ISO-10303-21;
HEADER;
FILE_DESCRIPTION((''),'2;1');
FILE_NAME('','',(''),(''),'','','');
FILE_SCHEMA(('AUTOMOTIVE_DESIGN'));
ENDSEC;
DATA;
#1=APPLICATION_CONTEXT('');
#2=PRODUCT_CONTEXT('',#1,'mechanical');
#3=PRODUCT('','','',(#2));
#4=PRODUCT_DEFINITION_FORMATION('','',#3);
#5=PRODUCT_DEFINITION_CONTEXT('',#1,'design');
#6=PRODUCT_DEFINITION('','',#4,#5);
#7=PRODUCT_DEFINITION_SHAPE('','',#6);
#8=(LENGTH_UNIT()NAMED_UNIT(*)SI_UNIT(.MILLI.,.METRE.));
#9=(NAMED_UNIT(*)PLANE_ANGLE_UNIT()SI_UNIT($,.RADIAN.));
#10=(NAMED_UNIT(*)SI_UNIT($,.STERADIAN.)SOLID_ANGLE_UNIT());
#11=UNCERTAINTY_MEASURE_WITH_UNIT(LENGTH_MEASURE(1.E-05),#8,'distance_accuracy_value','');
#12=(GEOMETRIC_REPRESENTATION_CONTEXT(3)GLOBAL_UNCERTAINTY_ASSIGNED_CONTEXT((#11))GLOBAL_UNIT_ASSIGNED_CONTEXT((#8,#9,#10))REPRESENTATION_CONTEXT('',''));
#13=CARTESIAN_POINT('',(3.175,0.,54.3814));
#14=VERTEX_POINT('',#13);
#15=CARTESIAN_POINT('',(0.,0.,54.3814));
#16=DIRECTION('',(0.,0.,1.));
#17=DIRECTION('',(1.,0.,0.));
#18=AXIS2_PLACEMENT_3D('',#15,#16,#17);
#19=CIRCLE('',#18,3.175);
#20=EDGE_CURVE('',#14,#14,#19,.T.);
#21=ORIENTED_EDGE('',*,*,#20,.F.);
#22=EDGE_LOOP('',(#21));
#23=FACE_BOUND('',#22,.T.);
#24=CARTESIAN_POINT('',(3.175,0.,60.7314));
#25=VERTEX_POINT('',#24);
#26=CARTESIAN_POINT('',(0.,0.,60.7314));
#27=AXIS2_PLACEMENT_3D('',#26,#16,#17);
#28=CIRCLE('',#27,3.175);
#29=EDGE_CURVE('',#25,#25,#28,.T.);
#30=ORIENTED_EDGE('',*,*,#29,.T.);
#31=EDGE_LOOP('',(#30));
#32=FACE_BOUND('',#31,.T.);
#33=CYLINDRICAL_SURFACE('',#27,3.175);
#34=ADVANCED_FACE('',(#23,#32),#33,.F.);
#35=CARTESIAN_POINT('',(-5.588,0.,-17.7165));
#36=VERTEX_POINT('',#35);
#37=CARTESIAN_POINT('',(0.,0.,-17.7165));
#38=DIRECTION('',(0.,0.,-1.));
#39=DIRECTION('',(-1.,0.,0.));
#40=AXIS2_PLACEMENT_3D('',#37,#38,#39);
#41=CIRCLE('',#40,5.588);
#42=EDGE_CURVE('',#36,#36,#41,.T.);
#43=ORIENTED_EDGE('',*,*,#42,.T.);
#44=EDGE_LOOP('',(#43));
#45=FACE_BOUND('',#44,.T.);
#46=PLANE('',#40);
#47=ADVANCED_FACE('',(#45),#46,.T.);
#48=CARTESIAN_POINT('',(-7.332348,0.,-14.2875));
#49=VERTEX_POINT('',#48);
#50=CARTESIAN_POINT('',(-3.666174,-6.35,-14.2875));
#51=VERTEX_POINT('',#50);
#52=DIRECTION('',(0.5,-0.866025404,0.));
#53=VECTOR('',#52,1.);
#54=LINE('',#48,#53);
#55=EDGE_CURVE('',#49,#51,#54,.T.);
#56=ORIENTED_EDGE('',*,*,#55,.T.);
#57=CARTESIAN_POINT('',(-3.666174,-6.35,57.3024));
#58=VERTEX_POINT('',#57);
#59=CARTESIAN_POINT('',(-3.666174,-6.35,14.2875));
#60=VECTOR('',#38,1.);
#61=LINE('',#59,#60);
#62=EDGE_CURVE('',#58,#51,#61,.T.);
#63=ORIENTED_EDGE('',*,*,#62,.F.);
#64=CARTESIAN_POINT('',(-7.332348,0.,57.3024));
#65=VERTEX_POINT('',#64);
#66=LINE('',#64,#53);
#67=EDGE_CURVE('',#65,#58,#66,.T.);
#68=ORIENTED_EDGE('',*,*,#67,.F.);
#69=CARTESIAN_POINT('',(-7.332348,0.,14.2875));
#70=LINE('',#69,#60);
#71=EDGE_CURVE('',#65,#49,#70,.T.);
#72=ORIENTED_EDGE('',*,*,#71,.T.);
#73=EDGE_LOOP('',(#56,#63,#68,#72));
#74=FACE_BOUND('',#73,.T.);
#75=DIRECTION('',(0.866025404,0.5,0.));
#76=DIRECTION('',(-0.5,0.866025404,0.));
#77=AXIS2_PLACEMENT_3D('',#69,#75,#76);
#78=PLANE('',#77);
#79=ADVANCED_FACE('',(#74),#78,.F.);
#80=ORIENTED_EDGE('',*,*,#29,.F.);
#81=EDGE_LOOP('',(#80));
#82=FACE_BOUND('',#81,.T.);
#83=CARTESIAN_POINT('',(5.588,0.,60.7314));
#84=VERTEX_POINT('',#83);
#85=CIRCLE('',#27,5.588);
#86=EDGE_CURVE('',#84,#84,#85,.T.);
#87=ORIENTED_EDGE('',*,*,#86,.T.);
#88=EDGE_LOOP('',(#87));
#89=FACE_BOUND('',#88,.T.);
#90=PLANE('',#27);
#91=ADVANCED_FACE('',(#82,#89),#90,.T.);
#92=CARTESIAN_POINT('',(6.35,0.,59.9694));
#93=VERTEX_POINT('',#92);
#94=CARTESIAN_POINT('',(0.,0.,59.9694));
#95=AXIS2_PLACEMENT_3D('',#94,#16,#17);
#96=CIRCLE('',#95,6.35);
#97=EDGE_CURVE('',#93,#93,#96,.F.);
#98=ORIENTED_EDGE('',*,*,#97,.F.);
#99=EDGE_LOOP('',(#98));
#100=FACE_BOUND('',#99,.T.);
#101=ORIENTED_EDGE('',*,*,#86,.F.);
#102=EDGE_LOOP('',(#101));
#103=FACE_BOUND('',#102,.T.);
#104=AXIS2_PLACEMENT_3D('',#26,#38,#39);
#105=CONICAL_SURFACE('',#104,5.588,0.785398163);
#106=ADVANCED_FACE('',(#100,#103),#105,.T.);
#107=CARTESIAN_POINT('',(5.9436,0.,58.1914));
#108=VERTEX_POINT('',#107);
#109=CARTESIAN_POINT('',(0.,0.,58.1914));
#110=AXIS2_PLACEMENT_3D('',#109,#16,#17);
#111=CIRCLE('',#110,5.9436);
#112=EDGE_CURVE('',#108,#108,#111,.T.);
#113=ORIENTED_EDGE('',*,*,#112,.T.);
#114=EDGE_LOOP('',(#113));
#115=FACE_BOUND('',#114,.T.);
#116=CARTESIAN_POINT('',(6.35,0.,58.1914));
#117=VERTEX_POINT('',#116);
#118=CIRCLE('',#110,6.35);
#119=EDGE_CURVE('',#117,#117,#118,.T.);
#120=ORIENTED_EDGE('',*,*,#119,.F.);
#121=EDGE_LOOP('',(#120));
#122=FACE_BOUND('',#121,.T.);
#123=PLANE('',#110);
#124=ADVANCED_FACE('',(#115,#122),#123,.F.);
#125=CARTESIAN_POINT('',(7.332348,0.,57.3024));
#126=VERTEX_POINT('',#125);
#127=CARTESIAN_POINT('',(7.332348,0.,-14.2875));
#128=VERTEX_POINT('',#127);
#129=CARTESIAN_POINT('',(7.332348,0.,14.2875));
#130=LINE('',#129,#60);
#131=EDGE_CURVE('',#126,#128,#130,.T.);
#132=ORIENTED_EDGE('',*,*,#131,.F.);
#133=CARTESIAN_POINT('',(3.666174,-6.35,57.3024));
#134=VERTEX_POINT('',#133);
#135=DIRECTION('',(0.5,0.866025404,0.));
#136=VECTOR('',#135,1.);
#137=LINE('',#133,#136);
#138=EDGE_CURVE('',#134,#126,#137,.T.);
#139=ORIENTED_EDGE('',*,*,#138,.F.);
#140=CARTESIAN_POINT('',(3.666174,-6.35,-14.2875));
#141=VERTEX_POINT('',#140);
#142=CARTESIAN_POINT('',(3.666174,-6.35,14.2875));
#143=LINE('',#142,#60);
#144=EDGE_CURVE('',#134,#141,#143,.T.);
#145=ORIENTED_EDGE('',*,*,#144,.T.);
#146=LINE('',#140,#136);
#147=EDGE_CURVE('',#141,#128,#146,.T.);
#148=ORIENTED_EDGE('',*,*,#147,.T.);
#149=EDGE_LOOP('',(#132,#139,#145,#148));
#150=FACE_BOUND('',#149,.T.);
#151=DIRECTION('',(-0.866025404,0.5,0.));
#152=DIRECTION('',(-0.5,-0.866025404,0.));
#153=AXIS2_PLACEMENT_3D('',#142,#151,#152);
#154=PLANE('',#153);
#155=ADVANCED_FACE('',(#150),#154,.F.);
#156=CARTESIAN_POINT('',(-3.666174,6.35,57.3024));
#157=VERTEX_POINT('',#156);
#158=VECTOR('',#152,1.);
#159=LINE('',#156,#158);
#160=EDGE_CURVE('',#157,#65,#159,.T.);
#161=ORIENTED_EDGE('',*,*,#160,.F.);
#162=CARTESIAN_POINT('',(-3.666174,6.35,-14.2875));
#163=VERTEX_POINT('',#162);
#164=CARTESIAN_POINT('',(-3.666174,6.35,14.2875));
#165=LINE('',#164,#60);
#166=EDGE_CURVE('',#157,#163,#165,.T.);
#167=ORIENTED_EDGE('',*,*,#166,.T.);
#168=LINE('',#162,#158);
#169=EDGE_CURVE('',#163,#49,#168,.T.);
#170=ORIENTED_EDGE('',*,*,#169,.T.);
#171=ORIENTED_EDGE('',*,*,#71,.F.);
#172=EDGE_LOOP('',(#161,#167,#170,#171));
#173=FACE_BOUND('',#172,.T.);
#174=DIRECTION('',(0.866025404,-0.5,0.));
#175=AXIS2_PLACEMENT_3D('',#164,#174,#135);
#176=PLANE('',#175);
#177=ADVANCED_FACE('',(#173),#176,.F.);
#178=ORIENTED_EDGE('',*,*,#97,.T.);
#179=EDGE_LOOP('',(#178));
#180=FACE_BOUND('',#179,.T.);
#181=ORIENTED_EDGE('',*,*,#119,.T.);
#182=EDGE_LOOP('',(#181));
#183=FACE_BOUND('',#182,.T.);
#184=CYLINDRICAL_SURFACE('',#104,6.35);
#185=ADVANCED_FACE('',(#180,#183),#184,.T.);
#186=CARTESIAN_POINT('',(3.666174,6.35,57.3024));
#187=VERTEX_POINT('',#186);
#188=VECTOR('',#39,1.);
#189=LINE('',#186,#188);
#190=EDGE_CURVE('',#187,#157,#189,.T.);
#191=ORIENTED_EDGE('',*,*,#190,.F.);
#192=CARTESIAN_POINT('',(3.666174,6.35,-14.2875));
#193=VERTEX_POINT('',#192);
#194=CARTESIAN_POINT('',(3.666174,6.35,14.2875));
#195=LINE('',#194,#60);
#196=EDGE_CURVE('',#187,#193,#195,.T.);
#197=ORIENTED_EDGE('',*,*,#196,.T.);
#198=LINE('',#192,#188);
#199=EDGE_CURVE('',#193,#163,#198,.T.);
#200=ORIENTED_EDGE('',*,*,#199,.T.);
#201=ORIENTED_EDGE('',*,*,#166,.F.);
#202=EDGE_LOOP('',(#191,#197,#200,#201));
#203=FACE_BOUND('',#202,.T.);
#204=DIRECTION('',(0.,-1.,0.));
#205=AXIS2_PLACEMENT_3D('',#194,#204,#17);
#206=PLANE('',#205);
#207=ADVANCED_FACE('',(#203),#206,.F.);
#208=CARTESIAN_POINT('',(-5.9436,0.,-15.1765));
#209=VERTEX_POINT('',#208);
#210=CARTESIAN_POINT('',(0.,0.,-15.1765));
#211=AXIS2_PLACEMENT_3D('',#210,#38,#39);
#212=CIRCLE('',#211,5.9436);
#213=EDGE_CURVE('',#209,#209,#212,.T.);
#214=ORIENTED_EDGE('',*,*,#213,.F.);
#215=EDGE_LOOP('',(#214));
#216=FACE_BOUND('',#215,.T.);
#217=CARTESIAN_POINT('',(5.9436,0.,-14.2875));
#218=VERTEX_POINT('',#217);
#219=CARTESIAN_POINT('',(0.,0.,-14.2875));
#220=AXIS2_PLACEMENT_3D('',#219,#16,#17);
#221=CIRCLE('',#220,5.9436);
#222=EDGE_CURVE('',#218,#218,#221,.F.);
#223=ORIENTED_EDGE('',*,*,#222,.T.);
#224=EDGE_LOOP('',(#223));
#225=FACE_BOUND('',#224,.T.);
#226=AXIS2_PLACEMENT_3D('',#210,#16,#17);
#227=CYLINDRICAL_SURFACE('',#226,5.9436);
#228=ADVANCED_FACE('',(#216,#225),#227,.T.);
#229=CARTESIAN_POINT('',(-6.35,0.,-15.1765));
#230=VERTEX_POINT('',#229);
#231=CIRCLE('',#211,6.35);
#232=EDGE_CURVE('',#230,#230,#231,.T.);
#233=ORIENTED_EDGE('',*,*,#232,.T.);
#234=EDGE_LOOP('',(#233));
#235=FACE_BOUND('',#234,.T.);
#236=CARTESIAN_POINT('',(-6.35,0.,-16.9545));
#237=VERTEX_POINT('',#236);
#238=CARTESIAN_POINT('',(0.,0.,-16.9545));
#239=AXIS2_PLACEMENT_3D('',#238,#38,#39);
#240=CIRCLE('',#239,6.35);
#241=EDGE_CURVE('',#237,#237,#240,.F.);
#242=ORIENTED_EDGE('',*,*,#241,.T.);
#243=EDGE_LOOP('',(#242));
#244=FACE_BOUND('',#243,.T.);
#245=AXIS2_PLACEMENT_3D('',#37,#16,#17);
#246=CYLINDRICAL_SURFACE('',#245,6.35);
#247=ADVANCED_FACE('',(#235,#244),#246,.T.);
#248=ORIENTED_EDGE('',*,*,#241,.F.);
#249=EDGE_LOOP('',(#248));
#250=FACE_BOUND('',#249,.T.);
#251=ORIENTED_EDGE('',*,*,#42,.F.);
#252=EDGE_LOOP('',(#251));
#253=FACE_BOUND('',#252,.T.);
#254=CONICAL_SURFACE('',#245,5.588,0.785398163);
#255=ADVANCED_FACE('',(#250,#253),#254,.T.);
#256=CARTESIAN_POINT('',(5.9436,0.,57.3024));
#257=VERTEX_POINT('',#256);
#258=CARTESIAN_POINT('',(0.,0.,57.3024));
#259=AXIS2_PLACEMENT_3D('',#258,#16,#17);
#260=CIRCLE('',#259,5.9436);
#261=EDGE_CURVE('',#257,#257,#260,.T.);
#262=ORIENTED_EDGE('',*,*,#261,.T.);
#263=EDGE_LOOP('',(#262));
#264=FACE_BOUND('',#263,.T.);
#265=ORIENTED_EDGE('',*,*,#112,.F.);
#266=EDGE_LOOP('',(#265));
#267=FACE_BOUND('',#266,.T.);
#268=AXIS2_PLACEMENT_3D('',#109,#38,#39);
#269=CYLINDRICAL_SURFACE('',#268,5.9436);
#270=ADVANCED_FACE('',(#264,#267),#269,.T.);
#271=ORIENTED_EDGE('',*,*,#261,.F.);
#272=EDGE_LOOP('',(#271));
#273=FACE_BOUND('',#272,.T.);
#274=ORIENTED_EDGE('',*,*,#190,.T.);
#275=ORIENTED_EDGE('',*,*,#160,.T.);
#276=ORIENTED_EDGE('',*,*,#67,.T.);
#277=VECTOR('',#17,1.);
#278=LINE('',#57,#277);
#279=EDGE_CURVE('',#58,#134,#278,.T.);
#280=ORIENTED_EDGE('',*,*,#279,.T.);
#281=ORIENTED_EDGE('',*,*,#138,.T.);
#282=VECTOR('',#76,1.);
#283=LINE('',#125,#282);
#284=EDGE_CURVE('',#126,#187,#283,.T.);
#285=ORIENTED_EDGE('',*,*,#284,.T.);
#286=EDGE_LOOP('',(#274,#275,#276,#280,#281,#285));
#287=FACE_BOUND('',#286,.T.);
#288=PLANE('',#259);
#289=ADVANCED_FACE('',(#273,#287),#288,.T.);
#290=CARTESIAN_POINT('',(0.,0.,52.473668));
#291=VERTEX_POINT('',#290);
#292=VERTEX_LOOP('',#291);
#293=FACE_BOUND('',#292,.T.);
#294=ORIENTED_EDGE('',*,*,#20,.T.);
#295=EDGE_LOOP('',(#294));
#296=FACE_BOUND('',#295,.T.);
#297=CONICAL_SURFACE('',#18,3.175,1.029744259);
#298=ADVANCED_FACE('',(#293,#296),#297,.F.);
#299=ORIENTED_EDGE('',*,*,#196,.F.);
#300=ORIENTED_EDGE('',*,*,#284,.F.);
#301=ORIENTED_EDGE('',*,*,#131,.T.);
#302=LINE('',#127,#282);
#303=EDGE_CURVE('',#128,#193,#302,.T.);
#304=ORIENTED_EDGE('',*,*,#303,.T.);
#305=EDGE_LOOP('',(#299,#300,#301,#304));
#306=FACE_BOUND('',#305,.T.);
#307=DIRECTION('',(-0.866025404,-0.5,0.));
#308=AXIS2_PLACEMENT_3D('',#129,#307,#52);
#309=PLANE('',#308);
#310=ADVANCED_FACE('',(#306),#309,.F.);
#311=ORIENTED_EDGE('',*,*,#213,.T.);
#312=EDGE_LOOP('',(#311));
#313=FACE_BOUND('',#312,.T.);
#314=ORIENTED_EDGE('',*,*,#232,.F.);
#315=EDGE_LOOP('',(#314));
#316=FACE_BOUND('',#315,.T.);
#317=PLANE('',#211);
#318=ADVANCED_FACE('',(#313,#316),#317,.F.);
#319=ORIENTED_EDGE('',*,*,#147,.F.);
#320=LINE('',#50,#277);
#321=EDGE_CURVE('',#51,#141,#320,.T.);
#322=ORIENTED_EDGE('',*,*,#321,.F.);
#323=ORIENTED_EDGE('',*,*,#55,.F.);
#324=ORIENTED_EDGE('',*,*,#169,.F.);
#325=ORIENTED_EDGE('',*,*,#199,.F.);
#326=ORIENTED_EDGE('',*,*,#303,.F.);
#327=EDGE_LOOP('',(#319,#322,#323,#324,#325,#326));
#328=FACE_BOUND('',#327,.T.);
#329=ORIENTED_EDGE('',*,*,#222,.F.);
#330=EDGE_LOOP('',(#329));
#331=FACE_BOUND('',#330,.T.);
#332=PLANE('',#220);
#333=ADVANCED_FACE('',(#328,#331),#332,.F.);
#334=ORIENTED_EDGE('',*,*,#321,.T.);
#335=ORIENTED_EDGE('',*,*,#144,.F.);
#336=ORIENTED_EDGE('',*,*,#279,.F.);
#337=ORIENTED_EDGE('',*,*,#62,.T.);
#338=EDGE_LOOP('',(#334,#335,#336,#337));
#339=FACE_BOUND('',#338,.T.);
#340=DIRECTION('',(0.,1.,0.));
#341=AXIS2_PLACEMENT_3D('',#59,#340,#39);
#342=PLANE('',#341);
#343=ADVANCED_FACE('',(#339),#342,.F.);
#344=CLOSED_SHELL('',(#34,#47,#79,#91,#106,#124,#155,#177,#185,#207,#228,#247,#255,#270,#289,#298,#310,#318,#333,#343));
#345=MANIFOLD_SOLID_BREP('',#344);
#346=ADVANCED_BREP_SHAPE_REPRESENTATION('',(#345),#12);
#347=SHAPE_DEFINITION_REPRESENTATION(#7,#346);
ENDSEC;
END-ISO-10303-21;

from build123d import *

# Parameters (mm, degrees)
BOSS_EXTRUDE1_DEPTH             = 14.2875
SKETCH2_R                       = 5.9436
BOSS_EXTRUDE2_DEPTH             = 0.889
SKETCH3_R                       = 6.35
BOSS_EXTRUDE3_DEPTH             = 2.54
CHAMFER1_SIZE                   = 0.762
BOSS_EXTRUDE4_DEPTH             = 43.0149
BOSS_EXTRUDE5_START             = 0.889
SKETCH6_R                       = 5.9436
BOSS_EXTRUDE5_DEPTH             = 0.889
BOSS_EXTRUDE6_START             = 2.54
SKETCH7_R                       = 6.35
BOSS_EXTRUDE6_DEPTH             = 2.54
CHAMFER2_SIZE                   = 0.762
F_1_4_0_25_DIAMETER_HOLE1_D     = 6.35
F_1_4_0_25_DIAMETER_HOLE1_DEPTH = 6.35
F_1_4_0_25_DIAMETER_HOLE1_TIP   = 1.907732465


with BuildPart() as part:
    # Sketch1 → Boss-Extrude1 (new, symmetric)
    with BuildSketch(Plane.XY):
        Polygon((7.332348419, 0), (3.666174209, 6.35), (-3.666174209, 6.35), (-7.332348419, 0), (-3.666174209, -6.35), (3.666174209, -6.35), align=None)
    extrude(amount=BOSS_EXTRUDE1_DEPTH, both=True)

    # Sketch2 → Boss-Extrude2 (add)
    with BuildSketch(Plane(origin=(0, 0, -14.2875), x_dir=(-1, 0, 0), z_dir=(0, 0, -1))):
        with Locations(Location((0, 0, 0), (0, 0, 180))):
            Circle(SKETCH2_R)
    extrude(amount=BOSS_EXTRUDE2_DEPTH)

    # Sketch3 → Boss-Extrude3 (add)
    with BuildSketch(Plane(origin=(0, 0, -15.1765), x_dir=(-1, 0, 0), z_dir=(0, 0, -1))):
        Circle(SKETCH3_R)
    extrude(amount=BOSS_EXTRUDE3_DEPTH)

    # Chamfer1
    chamfer1_edges = [part.edges().sort_by_distance(p)[0] for p in [
        (6.35, 0, -17.7165),
    ]]
    chamfer(chamfer1_edges, length=CHAMFER1_SIZE)

    # Sketch5 → Boss-Extrude4 (add)
    with BuildSketch(Plane.XY.offset(14.2875)):
        Polygon((3.666174209, 6.35), (-3.666174209, 6.35), (-7.332348419, 0), (-3.666174209, -6.35), (3.666174209, -6.35), (7.332348419, 0), align=None)
    extrude(amount=BOSS_EXTRUDE4_DEPTH)

    # Sketch6 → Boss-Extrude5 (add)
    with BuildSketch(Plane.XY.offset(57.3024).offset(BOSS_EXTRUDE5_START)):
        Circle(SKETCH6_R)
    extrude(amount=-BOSS_EXTRUDE5_DEPTH)

    # Sketch7 → Boss-Extrude6 (add)
    with BuildSketch(Plane.XY.offset(58.1914).offset(BOSS_EXTRUDE6_START)):
        with Locations(Location((0, 0, 0), (0, 0, 180))):
            Circle(SKETCH7_R)
    extrude(amount=-BOSS_EXTRUDE6_DEPTH)

    # Chamfer2
    chamfer2_edges = [part.edges().sort_by_distance(p)[0] for p in [
        (6.35, 0, 60.7314),
    ]]
    chamfer(chamfer2_edges, length=CHAMFER2_SIZE)

    # 1/4 (0.25) Diameter Hole1
    with Locations(Plane.XY.offset(60.7314)):
        with Locations((0, 0)):
            Hole(F_1_4_0_25_DIAMETER_HOLE1_D / 2, depth=F_1_4_0_25_DIAMETER_HOLE1_DEPTH)
            with Locations((0, 0, -(F_1_4_0_25_DIAMETER_HOLE1_DEPTH + F_1_4_0_25_DIAMETER_HOLE1_TIP / 2))):  # 118° drill point
                Cone(0, F_1_4_0_25_DIAMETER_HOLE1_D / 2, F_1_4_0_25_DIAMETER_HOLE1_TIP, mode=Mode.SUBTRACT)


solid = part.part
